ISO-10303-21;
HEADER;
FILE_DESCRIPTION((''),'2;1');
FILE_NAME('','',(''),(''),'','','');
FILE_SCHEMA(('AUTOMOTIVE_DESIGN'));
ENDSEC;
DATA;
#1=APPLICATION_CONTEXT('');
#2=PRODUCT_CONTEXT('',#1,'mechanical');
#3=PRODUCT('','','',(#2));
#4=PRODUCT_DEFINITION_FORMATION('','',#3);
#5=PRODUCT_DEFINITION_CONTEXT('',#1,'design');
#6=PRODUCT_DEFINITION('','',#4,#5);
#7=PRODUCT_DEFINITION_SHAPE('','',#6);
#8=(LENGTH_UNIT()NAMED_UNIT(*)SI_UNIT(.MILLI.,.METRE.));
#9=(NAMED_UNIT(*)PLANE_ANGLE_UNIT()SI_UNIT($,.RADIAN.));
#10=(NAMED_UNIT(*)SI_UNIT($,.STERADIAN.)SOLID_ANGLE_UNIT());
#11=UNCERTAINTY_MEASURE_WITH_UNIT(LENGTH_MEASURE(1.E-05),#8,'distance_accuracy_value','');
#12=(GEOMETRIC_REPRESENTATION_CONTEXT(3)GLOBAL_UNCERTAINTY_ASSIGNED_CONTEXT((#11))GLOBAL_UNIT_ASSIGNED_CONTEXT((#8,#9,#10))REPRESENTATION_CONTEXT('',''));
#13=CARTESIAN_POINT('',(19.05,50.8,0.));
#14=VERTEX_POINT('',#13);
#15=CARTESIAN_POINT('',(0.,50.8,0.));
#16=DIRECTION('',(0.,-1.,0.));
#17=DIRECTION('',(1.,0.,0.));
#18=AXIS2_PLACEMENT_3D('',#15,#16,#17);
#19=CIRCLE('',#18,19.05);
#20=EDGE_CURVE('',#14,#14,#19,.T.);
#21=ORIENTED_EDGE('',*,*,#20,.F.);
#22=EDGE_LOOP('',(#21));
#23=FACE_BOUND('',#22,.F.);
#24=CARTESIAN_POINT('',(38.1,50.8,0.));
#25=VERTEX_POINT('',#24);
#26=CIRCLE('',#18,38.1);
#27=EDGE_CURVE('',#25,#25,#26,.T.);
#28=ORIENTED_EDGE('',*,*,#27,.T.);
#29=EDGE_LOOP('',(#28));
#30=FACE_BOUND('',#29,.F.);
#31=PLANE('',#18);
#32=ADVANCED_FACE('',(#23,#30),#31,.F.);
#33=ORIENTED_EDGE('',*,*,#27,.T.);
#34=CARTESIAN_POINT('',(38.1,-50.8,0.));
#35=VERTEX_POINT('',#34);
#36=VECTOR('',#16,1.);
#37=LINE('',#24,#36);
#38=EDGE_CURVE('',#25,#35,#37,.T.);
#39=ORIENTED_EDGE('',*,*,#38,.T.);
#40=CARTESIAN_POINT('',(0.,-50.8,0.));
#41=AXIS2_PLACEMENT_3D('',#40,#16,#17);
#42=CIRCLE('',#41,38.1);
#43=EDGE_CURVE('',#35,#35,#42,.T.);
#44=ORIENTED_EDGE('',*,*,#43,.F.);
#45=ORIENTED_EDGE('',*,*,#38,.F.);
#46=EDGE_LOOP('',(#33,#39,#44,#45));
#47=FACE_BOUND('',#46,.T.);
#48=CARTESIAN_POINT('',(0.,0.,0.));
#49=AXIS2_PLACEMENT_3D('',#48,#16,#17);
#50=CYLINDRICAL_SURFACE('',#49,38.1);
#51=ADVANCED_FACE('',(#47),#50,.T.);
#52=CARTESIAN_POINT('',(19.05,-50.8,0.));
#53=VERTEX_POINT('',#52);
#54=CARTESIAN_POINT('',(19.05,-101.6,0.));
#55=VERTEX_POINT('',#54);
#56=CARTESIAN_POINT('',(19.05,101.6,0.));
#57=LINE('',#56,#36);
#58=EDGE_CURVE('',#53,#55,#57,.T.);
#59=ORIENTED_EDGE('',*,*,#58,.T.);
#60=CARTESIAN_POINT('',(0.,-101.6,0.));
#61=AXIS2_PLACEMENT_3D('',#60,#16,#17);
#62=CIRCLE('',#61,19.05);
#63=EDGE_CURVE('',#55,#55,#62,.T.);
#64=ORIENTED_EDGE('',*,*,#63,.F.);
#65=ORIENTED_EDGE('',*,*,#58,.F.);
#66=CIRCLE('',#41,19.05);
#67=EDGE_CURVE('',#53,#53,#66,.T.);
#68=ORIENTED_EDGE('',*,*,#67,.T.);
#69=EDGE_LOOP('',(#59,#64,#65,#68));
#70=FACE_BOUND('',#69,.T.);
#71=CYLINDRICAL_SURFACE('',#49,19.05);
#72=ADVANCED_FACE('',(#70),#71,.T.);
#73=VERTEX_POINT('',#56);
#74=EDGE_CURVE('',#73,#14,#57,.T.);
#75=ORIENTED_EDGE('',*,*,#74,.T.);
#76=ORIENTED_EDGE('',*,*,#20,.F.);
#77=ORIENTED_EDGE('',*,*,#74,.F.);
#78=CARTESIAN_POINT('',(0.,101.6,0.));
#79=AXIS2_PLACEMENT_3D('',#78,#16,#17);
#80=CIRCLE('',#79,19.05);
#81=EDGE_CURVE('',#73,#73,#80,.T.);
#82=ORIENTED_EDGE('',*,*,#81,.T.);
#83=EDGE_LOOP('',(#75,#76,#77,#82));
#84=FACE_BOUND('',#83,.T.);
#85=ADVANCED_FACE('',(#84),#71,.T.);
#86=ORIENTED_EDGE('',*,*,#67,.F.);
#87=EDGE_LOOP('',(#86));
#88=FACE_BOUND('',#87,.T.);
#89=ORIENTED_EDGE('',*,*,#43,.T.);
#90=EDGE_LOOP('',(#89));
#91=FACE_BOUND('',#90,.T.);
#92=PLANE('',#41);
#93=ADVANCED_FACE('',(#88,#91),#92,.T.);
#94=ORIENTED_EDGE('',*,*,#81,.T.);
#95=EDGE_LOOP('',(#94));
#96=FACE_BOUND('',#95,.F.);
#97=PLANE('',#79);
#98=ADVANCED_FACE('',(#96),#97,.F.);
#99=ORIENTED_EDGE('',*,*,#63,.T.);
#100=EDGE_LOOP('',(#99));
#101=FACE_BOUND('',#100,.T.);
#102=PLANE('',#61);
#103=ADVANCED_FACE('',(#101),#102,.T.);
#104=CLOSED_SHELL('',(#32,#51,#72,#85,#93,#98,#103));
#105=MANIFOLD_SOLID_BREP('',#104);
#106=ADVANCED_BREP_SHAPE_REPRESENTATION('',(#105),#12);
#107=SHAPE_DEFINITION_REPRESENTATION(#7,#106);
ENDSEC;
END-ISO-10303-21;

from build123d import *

# Parameters (mm, degrees)
F0_R     = 38.1
F1_DEPTH = 50.8
F2_R     = 19.05
F3_DEPTH = 101.6


with BuildPart() as f1:
    # F0 (on Front) → F1 (new body, symmetric)
    with BuildSketch(Plane.XZ):
        Circle(F0_R)
    extrude(amount=F1_DEPTH, both=True)

    # F2 (on Front) → F3 (join, symmetric)
    with BuildSketch(Plane.XZ):
        Circle(F2_R)
    extrude(amount=F3_DEPTH, both=True)


solid = f1.part
